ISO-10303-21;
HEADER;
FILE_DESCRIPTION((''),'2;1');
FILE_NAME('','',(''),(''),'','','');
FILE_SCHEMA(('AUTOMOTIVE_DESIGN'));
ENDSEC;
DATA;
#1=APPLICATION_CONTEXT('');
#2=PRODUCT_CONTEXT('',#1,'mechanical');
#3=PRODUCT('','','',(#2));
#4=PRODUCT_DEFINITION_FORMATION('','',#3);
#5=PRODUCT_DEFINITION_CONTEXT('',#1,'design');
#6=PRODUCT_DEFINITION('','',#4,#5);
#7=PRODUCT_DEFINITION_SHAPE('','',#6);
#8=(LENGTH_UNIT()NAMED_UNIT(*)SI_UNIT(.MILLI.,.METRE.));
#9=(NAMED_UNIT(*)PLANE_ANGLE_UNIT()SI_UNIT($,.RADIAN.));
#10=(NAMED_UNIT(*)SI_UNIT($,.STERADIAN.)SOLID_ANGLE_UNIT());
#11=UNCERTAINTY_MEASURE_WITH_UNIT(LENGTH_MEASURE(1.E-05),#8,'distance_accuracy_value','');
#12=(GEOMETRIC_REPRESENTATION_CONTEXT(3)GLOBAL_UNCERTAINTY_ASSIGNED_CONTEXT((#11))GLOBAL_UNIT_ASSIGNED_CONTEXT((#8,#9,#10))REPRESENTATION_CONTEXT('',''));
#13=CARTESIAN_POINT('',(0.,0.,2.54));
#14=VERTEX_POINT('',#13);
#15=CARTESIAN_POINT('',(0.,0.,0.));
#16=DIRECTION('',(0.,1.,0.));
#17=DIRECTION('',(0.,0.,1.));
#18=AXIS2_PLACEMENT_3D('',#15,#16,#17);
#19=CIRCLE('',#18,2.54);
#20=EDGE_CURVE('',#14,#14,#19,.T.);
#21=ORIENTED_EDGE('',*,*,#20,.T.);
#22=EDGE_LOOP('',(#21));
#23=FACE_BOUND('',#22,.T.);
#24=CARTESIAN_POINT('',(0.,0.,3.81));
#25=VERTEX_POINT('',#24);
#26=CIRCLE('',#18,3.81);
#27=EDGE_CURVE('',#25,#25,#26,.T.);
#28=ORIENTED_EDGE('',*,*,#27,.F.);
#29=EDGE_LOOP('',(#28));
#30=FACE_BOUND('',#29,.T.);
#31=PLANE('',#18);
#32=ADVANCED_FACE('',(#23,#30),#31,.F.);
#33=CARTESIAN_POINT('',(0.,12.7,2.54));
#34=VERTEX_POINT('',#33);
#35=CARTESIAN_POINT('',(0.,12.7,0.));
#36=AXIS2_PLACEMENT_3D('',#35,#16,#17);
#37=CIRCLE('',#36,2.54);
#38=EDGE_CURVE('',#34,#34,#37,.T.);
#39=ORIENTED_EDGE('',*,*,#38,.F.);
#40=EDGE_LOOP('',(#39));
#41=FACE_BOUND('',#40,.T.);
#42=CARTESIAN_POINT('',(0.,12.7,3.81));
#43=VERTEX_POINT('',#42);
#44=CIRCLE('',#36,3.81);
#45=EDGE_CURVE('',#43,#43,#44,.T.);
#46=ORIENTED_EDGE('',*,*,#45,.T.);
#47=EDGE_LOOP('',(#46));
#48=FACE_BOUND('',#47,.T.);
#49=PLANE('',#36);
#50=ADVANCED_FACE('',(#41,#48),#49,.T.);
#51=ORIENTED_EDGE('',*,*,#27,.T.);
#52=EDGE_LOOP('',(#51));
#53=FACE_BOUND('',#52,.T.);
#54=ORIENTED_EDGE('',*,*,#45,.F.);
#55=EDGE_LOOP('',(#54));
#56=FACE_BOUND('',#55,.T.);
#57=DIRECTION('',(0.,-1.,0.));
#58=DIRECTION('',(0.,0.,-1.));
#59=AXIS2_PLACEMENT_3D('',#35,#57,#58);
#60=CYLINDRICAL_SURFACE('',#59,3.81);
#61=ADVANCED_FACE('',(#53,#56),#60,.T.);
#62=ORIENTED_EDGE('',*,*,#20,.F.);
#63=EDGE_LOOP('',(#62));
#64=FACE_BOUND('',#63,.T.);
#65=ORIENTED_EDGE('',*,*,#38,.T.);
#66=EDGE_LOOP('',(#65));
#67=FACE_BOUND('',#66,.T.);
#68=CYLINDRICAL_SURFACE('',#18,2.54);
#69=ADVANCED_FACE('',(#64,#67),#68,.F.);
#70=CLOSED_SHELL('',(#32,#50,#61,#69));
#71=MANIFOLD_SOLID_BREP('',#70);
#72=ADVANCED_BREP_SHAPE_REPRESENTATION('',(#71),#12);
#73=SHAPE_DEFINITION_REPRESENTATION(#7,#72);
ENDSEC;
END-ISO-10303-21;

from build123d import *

# Parameters (mm, degrees)
SKETCH1_R           = 3.81
BOSS_EXTRUDE2_DEPTH = 12.7
SKETCH3_R           = 2.54
CUT_EXTRUDE2_DEPTH  = 12.7


with BuildPart() as part:
    # Sketch1 → Boss-Extrude2 (new body)
    with BuildSketch(Plane(origin=(0, 0, 0), x_dir=(1, 0, 0), z_dir=(0, 1, 0))):
        with Locations(Location((0, 0, 0), (0, 0, 270))):
            Circle(SKETCH1_R)
    extrude(amount=BOSS_EXTRUDE2_DEPTH)

    # Sketch3 → Cut-Extrude2 (cut)
    with BuildSketch(Plane(origin=(0, 12.7, 0), x_dir=(1, 0, 0), z_dir=(0, 1, 0))):
        with Locations(Location((0, 0, 0), (0, 0, 270))):
            Circle(SKETCH3_R)
    extrude(amount=-CUT_EXTRUDE2_DEPTH, mode=Mode.SUBTRACT)


solid = part.part
